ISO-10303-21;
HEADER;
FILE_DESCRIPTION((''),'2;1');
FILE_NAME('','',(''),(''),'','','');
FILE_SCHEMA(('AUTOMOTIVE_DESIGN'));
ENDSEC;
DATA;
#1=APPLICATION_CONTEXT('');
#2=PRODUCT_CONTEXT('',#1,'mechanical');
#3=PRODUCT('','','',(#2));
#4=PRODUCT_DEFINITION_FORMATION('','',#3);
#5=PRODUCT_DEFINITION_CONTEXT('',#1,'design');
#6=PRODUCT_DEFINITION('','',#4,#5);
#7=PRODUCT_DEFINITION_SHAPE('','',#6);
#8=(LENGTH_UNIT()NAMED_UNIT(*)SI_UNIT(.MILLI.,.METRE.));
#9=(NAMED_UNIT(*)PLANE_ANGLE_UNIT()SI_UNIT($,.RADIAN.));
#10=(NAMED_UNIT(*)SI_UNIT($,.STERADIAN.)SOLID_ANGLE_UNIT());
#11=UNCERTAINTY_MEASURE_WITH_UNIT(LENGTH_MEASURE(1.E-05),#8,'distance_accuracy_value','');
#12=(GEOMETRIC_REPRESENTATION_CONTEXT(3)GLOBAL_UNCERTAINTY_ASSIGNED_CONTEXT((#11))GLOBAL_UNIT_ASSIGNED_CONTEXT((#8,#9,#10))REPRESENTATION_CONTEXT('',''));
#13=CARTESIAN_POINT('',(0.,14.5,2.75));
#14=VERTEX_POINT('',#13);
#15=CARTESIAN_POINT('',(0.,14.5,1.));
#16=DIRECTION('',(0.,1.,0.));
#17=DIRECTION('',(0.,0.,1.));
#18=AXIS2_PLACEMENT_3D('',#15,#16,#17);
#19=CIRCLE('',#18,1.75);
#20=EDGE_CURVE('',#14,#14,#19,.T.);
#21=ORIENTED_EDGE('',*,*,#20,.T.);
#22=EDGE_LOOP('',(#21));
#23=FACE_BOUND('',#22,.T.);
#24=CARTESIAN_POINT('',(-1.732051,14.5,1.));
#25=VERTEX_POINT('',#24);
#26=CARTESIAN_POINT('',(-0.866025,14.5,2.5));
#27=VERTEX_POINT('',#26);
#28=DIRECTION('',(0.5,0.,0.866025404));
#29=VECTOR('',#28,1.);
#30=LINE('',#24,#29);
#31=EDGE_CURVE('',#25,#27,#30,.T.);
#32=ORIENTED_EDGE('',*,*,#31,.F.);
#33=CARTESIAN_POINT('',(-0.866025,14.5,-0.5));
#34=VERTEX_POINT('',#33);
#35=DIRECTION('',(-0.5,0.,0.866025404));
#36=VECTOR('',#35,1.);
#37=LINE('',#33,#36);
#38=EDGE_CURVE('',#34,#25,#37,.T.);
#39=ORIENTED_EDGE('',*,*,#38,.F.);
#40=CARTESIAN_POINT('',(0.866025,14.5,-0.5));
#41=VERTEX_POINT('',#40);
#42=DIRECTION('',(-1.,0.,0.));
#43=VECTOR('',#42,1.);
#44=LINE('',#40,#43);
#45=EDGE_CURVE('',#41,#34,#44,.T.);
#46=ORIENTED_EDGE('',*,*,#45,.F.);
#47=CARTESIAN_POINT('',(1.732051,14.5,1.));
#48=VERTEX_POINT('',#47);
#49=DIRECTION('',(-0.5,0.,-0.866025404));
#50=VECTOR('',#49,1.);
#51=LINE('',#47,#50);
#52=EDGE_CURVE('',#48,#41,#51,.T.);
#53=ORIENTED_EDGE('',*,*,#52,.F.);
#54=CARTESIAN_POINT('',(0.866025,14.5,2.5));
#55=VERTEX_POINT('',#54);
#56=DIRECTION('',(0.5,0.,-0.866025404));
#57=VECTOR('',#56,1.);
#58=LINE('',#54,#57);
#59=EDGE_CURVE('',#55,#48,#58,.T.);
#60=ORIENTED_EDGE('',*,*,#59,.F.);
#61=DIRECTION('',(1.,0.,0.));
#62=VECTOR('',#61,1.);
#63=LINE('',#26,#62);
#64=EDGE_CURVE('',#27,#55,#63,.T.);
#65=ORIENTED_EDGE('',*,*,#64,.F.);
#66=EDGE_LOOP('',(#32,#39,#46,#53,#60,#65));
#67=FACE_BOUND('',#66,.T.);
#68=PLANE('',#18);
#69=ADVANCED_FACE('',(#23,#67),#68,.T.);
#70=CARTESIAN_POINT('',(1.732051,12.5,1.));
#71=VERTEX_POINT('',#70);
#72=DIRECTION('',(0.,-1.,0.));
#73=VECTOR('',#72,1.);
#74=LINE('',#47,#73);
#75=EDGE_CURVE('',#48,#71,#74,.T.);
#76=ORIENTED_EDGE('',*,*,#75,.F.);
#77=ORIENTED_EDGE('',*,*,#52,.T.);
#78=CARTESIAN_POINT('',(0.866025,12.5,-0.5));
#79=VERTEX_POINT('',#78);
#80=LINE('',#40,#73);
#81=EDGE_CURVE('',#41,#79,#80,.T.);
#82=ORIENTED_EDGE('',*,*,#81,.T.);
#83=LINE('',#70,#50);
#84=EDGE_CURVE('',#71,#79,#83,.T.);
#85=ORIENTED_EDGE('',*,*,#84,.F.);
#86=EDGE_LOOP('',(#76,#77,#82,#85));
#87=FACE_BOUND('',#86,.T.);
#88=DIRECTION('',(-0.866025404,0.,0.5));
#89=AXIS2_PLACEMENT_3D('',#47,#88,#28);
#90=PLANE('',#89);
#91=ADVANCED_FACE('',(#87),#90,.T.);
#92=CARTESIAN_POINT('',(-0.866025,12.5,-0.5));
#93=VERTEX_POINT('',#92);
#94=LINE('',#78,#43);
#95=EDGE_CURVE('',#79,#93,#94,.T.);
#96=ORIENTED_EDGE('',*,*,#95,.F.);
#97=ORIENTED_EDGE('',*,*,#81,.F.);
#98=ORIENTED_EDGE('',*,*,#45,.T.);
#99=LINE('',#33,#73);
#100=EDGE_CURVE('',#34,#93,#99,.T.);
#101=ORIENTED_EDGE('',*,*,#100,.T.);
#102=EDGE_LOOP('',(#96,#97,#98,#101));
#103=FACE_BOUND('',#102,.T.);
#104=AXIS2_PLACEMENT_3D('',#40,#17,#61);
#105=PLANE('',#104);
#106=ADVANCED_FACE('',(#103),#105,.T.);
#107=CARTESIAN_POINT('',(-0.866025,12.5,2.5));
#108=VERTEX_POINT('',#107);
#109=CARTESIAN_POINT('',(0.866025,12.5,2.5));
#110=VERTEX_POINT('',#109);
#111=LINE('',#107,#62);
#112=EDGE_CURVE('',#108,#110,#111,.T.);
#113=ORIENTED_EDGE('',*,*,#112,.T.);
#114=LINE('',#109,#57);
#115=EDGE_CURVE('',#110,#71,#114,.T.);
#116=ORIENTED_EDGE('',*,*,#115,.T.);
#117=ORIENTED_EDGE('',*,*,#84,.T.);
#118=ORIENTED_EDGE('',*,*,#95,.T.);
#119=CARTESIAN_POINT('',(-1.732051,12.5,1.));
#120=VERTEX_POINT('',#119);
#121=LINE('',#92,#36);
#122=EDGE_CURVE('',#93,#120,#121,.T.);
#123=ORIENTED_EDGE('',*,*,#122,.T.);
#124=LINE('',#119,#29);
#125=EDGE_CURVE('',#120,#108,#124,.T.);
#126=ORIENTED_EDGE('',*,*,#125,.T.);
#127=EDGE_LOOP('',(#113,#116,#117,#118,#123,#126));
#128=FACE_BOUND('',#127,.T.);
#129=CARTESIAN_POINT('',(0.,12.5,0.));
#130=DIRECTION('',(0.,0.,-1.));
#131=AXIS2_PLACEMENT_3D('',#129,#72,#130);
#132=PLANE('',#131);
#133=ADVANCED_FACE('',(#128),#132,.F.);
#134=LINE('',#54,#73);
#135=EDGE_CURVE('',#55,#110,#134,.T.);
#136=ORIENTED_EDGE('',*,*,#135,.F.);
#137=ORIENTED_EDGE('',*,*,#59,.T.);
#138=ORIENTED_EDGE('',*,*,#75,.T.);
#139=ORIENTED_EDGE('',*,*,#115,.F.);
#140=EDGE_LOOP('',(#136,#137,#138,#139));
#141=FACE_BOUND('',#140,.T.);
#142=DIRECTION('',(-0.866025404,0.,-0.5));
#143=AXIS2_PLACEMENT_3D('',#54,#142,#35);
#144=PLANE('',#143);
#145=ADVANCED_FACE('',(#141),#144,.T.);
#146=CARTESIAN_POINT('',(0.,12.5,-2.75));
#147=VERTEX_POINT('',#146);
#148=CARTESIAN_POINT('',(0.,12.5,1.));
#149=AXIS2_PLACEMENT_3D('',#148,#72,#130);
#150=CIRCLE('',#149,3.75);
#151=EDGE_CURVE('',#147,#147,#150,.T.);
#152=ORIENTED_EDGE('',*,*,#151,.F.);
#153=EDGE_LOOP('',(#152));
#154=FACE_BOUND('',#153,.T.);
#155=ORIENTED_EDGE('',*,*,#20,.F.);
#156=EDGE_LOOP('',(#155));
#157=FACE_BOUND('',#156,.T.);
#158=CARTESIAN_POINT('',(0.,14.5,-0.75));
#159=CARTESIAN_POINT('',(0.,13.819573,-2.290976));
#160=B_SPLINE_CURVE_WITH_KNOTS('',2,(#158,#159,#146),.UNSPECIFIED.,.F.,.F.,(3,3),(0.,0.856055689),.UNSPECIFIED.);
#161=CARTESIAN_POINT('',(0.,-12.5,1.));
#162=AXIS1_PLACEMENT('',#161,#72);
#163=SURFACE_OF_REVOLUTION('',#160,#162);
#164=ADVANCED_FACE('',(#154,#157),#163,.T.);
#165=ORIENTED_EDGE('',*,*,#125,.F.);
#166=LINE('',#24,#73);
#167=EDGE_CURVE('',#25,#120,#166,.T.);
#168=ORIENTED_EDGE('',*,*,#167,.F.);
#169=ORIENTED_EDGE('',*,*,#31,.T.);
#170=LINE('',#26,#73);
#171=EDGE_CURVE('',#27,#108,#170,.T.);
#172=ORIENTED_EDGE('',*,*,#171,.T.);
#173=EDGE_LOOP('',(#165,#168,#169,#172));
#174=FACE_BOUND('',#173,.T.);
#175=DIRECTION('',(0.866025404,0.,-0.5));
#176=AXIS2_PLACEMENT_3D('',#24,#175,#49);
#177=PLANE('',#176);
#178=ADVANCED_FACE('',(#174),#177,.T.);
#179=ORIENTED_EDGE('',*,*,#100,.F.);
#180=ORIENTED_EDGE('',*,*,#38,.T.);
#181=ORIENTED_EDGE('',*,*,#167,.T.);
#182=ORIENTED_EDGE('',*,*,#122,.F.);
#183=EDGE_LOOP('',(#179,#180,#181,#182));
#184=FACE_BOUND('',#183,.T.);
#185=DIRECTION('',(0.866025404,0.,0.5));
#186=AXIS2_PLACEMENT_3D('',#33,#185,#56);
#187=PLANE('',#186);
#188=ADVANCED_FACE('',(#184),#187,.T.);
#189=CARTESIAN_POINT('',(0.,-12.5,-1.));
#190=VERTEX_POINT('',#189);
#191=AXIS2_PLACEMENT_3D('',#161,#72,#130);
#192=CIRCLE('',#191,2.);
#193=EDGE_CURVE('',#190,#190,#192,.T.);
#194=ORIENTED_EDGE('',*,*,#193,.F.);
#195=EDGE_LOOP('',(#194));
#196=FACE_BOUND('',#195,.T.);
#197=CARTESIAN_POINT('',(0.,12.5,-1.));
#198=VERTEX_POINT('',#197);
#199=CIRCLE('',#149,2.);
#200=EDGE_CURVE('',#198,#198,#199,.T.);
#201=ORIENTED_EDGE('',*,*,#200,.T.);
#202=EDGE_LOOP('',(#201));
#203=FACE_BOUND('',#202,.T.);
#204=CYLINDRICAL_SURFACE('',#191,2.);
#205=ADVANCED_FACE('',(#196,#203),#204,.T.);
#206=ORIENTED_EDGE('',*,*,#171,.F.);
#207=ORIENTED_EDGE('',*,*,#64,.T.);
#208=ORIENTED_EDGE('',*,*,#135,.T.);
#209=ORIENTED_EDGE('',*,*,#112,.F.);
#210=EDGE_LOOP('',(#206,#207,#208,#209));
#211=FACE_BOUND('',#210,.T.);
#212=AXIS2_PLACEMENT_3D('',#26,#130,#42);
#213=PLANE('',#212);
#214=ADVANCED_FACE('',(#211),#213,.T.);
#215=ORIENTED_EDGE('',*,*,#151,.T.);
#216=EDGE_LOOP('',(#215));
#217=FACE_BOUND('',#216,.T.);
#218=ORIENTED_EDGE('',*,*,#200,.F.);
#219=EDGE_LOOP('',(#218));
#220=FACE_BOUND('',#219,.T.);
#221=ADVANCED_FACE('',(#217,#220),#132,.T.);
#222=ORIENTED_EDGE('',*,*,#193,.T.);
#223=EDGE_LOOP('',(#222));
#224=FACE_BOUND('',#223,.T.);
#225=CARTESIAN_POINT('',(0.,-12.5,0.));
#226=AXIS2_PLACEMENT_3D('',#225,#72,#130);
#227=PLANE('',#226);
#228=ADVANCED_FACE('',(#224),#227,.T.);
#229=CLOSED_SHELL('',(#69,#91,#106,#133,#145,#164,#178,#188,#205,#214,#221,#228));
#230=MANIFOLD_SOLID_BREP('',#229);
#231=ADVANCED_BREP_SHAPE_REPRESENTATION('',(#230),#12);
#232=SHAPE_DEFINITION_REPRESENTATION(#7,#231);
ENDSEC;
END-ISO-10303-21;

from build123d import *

# Parameters (mm, degrees)
SKETCH15_W           = 2
SKETCH15_H           = 25
SKETCH19_R           = 1.75
BOSS_EXTRUDE11_DEPTH = 2


with BuildPart() as part:
    # Sketch15 → Revolve3 (revolve)
    with BuildSketch(Plane(origin=(0, 0, 0), x_dir=(0, 0, -1), z_dir=(1, 0, 0))):
        Rectangle(SKETCH15_W, SKETCH15_H)
        with BuildLine():
            Line((0.75, 14.5), (0.75, 12.5))
            Line((0.75, 12.5), (1, 12.5))
            Line((1, 12.5), (2.75, 12.5))
            add(Edge.make_bspline(
                [(0.75, 14.5), (2.290975881, 13.819572534), (2.75, 12.5)],
                knots=[0, 0, 0, 0.856055689, 0.856055689, 0.856055689], degree=2))
        make_face()
    revolve(axis=Axis((0, -12.5, 1), (0, 1, 0)))

    # Sketch19 → Boss-Extrude11 (add)
    with BuildSketch(Plane(origin=(0, 12.5, 0), x_dir=(1, 0, 0), z_dir=(0, 1, 0))):
        with Locations((0, -1)):
            Circle(SKETCH19_R)
        Polygon((1.732050808, -1), (0.866025404, 0.5), (-0.866025404, 0.5), (-1.732050808, -1), (-0.866025404, -2.5), (0.866025404, -2.5), align=None, mode=Mode.SUBTRACT)
    extrude(amount=BOSS_EXTRUDE11_DEPTH)


solid = part.part
